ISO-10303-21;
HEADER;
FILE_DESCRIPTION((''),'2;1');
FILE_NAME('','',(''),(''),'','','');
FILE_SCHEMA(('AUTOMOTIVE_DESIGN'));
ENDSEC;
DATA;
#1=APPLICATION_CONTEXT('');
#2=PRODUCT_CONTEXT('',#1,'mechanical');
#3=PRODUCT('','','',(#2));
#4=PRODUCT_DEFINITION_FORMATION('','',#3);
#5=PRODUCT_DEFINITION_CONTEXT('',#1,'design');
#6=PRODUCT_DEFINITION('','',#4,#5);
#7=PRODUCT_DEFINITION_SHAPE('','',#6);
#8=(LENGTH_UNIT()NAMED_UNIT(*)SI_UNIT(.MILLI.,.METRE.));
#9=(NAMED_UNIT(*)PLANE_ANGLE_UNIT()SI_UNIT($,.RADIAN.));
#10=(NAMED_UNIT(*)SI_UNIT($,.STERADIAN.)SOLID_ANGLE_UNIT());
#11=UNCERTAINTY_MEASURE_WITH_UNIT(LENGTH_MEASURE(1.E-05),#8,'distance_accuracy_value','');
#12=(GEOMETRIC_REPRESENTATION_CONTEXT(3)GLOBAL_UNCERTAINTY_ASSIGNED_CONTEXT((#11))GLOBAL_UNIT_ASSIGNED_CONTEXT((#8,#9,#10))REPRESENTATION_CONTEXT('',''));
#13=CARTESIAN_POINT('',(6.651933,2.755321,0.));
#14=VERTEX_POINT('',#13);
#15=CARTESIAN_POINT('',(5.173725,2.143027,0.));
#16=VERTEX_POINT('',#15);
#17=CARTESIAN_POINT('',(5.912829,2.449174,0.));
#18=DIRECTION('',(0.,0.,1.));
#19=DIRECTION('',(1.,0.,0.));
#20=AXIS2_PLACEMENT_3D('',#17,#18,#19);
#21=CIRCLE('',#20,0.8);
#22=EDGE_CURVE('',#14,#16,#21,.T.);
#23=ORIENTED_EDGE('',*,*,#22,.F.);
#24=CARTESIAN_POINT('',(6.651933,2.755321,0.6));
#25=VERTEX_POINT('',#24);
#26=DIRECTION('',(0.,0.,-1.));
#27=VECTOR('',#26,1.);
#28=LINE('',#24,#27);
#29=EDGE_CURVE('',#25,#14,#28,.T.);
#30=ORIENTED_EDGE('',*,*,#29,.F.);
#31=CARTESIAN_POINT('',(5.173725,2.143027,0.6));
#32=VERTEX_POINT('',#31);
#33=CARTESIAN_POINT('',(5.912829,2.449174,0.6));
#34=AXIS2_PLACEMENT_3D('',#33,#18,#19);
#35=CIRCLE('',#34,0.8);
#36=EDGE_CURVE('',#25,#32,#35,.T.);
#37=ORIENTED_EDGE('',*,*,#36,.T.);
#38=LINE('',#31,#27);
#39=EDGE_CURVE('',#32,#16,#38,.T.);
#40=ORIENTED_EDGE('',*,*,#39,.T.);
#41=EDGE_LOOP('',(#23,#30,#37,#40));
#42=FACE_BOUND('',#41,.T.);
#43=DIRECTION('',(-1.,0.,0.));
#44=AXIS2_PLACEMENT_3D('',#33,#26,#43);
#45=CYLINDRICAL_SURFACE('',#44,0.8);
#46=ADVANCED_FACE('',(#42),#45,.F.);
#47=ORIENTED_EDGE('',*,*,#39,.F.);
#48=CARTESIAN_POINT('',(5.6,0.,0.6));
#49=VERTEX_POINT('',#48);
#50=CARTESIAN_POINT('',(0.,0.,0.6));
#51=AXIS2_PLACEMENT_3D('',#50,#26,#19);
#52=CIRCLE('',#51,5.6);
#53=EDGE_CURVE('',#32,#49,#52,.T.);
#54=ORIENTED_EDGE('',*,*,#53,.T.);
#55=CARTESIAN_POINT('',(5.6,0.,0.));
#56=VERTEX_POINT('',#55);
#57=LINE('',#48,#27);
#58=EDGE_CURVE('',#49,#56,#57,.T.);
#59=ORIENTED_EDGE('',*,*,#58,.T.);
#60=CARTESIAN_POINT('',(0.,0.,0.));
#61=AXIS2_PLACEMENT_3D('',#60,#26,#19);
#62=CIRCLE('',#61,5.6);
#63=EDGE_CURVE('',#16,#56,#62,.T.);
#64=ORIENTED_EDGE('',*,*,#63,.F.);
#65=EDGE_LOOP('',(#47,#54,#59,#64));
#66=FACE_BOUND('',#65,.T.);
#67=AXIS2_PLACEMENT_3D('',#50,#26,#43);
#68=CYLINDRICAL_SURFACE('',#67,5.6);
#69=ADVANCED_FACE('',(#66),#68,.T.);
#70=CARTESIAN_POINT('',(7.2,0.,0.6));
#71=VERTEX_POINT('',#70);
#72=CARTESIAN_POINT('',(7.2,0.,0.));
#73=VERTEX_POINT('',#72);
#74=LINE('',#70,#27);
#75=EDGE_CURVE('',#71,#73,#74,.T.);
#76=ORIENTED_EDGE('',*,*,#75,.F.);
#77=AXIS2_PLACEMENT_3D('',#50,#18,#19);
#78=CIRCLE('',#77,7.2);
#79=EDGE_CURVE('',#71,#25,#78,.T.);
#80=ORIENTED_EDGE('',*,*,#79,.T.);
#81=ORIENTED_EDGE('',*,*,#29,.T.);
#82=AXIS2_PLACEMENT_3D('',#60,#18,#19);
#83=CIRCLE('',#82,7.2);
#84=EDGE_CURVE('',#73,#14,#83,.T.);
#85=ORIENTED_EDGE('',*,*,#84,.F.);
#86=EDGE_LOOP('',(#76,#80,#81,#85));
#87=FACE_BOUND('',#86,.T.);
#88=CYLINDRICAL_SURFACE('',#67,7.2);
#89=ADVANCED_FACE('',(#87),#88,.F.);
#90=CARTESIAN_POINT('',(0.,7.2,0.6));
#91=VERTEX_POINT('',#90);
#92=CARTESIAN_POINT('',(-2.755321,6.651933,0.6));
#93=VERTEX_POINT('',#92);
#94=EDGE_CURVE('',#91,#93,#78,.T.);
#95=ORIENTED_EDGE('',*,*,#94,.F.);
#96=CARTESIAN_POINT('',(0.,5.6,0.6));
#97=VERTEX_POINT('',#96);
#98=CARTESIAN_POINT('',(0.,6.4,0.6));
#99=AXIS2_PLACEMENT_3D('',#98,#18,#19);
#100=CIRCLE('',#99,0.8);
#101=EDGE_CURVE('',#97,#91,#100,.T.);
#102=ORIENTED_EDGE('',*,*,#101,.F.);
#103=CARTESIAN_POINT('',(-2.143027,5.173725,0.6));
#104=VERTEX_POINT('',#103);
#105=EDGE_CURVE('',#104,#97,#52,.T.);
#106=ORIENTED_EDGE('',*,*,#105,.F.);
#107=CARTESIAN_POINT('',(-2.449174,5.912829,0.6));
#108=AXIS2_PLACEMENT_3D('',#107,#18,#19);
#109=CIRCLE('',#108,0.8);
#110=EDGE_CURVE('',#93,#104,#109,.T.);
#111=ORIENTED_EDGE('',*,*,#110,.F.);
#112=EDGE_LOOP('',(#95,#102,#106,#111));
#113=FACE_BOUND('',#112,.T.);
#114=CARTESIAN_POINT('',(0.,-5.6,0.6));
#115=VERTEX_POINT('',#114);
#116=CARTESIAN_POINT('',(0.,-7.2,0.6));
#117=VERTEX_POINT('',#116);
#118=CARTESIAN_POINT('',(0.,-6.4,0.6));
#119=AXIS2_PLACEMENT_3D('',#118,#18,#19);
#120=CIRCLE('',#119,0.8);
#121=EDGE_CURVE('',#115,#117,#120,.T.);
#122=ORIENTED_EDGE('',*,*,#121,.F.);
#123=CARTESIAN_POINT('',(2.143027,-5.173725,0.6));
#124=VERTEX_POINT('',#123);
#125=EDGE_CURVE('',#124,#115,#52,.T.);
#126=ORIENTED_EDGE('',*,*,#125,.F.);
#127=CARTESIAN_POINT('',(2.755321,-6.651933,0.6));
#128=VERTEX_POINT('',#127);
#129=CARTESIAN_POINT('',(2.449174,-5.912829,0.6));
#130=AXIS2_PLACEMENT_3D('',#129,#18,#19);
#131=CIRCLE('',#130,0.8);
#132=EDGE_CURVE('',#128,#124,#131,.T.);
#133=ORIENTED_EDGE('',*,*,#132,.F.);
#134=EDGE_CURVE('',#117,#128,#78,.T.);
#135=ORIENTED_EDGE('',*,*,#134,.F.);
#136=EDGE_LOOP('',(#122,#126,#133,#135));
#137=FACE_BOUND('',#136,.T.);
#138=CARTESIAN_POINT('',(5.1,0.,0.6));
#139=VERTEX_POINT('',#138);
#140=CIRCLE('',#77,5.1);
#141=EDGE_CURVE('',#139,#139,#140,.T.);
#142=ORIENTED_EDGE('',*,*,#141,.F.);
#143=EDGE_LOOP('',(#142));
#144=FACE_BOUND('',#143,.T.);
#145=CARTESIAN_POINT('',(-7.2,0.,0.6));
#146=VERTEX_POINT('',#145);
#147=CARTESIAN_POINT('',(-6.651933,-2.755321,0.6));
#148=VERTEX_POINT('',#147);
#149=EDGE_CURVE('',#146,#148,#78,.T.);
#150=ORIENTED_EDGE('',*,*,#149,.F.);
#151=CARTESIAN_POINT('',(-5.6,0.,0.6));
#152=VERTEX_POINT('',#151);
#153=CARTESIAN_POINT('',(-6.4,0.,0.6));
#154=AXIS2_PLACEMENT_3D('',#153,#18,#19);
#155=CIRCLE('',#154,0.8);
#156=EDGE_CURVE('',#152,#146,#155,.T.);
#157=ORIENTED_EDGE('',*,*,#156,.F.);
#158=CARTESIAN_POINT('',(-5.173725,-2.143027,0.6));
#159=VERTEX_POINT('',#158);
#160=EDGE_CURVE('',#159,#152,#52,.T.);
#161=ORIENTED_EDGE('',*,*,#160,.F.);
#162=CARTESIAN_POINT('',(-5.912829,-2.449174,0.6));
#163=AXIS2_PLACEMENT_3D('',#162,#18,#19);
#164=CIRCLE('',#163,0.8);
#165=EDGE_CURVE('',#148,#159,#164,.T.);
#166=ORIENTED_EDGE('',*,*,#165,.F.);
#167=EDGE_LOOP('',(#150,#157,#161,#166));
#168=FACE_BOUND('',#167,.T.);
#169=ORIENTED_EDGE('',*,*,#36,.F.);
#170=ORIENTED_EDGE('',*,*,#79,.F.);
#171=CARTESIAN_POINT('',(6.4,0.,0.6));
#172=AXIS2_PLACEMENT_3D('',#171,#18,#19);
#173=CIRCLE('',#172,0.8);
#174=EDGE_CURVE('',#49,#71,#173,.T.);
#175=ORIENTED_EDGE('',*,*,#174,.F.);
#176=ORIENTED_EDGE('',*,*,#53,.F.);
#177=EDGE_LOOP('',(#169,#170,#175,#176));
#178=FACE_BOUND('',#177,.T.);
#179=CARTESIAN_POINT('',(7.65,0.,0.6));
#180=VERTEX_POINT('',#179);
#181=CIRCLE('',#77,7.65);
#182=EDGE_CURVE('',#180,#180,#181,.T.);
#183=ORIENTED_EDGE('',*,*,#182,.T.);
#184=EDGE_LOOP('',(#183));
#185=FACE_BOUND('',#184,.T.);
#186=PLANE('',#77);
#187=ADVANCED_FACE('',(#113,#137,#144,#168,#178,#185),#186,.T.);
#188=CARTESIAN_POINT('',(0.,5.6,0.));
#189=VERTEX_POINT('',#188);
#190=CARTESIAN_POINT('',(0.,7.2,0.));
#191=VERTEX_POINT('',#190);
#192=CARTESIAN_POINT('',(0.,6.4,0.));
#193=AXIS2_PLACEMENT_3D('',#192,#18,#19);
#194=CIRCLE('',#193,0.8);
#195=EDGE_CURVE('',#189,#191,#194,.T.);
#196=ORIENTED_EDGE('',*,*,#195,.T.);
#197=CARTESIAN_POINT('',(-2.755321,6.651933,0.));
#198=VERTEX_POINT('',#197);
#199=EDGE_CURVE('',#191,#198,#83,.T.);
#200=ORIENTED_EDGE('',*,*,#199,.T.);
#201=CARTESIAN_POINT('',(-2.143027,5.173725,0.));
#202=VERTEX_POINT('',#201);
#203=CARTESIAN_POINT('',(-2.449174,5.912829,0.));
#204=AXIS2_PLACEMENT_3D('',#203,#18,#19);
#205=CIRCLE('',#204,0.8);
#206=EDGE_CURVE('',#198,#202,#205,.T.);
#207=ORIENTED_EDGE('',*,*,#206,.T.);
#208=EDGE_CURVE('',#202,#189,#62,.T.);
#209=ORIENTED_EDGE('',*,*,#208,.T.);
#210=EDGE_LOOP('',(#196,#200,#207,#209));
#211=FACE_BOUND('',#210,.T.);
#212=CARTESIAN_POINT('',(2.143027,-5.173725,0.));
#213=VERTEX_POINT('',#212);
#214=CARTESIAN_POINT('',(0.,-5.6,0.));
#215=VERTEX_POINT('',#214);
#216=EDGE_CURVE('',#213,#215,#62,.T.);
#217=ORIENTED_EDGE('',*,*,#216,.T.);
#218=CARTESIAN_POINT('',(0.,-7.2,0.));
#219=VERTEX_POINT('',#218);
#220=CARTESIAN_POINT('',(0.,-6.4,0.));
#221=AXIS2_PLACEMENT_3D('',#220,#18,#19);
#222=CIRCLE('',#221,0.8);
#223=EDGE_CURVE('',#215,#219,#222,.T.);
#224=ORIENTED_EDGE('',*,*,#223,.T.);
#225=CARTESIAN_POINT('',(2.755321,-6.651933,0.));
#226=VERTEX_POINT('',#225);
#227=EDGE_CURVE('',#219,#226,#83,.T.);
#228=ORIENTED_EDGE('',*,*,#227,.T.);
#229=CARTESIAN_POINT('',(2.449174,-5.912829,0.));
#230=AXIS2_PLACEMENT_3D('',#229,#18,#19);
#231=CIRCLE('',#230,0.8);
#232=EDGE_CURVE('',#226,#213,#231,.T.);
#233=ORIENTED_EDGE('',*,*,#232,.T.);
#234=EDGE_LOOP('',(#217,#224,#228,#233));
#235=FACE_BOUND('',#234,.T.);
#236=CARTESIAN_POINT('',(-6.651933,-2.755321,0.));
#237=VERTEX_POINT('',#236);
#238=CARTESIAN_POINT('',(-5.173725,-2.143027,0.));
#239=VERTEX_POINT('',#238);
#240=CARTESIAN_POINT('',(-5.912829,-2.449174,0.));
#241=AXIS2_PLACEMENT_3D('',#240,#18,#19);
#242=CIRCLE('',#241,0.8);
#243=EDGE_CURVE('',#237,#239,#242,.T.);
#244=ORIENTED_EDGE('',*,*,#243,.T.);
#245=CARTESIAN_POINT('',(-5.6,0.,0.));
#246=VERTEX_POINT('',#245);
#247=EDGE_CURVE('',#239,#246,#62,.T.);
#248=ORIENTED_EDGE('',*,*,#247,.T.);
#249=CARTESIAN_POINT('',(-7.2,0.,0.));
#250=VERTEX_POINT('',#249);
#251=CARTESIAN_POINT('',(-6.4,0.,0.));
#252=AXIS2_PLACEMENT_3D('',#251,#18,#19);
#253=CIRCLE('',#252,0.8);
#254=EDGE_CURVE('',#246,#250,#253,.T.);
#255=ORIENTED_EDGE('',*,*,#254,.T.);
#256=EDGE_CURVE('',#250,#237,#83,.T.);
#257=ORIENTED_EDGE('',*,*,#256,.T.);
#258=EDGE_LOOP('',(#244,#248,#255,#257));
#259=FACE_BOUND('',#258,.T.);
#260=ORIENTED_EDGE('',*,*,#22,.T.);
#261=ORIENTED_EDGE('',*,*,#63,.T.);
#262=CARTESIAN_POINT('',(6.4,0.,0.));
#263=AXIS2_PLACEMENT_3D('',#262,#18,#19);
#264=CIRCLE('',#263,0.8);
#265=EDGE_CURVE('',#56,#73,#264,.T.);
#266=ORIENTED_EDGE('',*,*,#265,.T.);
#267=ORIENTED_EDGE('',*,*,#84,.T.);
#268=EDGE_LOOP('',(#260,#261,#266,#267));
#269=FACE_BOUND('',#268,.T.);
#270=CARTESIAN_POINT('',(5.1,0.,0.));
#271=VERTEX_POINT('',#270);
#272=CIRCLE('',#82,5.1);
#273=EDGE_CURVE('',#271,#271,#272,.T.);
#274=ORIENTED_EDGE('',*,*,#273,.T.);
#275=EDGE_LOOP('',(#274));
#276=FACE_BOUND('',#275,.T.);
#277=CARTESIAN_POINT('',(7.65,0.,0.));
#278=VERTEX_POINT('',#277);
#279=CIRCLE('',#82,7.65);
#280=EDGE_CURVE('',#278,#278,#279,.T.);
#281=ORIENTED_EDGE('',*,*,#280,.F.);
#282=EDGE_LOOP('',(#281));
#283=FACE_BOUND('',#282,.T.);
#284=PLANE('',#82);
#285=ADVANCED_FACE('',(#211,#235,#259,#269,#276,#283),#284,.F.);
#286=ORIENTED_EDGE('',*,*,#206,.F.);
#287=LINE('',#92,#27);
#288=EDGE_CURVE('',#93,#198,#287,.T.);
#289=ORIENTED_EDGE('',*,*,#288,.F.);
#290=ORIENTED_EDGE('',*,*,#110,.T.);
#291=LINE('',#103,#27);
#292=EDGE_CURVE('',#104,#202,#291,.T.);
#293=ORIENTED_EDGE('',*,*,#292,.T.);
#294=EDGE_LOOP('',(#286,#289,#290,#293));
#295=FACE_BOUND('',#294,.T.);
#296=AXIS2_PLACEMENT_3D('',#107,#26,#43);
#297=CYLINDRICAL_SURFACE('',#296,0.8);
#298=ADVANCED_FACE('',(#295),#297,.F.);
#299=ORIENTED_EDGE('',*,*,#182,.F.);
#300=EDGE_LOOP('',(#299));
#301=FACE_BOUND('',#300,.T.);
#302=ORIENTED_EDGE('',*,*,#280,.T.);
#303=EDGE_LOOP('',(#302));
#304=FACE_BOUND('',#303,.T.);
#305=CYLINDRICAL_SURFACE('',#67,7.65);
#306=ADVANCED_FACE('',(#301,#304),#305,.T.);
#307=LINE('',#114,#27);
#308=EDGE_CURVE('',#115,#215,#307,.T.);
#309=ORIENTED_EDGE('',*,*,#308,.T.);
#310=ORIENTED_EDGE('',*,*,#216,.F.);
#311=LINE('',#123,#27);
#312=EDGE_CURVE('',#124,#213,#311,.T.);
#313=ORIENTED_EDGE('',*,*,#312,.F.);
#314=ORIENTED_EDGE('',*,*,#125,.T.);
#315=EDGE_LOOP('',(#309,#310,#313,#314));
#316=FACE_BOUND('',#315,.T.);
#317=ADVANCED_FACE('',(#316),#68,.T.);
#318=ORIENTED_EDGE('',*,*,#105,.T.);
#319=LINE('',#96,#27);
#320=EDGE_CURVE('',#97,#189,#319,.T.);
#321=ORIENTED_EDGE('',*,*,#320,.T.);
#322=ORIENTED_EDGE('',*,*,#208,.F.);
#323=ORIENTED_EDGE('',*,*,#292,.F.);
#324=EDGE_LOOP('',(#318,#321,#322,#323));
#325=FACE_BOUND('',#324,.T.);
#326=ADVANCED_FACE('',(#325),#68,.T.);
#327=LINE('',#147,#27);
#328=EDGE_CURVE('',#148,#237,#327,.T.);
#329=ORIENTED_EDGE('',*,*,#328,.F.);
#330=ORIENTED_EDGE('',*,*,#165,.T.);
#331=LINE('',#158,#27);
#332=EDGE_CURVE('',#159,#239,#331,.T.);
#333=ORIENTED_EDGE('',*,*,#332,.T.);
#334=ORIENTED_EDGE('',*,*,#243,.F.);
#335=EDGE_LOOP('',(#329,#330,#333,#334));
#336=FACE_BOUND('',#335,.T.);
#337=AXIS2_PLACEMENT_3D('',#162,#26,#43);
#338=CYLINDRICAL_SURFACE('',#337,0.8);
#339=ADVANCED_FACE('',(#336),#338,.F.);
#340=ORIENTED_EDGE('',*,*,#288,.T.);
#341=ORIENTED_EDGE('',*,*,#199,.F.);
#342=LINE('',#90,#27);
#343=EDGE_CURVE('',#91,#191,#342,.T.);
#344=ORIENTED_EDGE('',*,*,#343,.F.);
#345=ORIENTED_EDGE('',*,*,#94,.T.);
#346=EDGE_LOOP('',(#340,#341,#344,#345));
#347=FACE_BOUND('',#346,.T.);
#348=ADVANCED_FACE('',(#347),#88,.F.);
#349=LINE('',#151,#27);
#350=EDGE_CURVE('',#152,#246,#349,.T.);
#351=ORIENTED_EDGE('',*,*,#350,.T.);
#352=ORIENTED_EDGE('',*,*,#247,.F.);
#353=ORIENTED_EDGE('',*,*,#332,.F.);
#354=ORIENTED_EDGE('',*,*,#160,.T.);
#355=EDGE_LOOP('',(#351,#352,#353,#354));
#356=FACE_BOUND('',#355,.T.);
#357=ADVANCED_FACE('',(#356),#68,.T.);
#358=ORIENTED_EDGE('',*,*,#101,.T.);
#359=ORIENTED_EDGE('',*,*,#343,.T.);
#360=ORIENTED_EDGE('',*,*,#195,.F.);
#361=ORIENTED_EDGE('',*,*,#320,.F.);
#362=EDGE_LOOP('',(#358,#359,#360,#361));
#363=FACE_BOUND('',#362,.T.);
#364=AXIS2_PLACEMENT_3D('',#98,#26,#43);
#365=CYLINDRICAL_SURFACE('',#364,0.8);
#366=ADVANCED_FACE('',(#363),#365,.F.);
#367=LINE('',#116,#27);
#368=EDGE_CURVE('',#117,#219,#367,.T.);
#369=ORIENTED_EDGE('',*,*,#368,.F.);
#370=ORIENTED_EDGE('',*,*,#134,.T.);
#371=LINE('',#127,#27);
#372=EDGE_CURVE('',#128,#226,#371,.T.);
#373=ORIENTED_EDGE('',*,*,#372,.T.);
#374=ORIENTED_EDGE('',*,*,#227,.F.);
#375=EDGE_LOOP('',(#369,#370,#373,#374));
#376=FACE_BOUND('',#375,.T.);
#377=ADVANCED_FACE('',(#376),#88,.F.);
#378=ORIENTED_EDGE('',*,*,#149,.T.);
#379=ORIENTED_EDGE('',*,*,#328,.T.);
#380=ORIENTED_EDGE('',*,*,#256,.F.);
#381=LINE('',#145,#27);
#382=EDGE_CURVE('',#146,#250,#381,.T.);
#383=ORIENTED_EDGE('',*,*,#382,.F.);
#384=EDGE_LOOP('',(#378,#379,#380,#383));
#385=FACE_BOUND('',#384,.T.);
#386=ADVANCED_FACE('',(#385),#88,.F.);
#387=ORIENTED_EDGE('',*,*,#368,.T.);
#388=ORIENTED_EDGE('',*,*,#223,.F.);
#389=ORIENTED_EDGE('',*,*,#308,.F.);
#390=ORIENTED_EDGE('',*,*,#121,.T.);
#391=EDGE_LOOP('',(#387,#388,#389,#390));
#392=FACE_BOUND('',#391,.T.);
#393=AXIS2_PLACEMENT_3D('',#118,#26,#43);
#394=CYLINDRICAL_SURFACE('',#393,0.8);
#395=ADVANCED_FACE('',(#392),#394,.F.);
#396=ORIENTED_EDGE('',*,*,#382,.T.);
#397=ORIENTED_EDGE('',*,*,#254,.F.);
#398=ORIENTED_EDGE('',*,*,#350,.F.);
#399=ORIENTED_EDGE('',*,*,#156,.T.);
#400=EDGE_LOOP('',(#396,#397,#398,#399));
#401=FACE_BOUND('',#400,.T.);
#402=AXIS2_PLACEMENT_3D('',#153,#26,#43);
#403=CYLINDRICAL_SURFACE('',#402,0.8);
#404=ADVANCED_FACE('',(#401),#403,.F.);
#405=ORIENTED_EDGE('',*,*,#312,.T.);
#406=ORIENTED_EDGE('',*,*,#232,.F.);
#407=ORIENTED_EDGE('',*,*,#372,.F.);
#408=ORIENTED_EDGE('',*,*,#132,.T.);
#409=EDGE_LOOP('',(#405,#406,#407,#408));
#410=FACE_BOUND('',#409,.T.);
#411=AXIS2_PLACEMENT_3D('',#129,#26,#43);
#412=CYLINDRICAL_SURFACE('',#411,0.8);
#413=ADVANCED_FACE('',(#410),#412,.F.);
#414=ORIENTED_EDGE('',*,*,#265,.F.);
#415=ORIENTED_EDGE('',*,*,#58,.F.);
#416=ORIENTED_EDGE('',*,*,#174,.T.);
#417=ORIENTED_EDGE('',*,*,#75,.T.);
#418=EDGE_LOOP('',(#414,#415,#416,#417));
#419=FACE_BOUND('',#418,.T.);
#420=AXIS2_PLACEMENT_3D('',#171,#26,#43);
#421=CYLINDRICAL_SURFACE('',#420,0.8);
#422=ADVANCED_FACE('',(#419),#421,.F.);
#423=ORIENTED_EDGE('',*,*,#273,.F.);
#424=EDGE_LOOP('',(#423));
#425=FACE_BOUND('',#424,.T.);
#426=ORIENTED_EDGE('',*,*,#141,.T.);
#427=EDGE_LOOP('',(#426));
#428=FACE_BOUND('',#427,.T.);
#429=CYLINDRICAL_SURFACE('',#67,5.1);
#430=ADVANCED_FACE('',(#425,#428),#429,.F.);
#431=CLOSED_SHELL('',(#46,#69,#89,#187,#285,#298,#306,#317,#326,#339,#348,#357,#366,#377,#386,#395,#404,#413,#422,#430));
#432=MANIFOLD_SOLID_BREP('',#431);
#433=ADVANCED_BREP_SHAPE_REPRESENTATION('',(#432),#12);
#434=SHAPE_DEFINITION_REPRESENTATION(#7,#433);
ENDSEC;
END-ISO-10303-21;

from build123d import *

# Parameters (mm, degrees)
SKETCH1_R           = 7.65
SKETCH1_R_2         = 5.1
BOSS_EXTRUDE1_DEPTH = 0.6


with BuildPart() as part:
    # Sketch1 → Boss-Extrude1 (new body)
    with BuildSketch(Plane.XY):
        Circle(SKETCH1_R)
        Circle(SKETCH1_R_2, mode=Mode.SUBTRACT)
        with BuildLine():
            ThreePointArc((0, 5.6), (0.8, 6.4), (0, 7.2))
            ThreePointArc((0, 7.2), (-1.404650319, 7.061654019), (-2.755320713, 6.651932634))
            ThreePointArc((-2.755320713, 6.651932634), (-3.188277593, 5.606682262), (-2.143027221, 5.173725382))
            ThreePointArc((-2.143027221, 5.173725382), (-1.092505803, 5.49239757), (0, 5.6))
        make_face(mode=Mode.SUBTRACT)
        with BuildLine():
            ThreePointArc((6.651932634, 2.755320713), (5.606682262, 3.188277593), (5.173725382, 2.143027221))
            ThreePointArc((5.173725382, 2.143027221), (5.49239757, 1.092505803), (5.6, 0))
            ThreePointArc((5.6, 0), (6.4, -0.8), (7.2, 0))
            ThreePointArc((7.2, 0), (7.061654019, 1.404650319), (6.651932634, 2.755320713))
        make_face(mode=Mode.SUBTRACT)
        with BuildLine():
            ThreePointArc((2.755320713, -6.651932634), (3.188277593, -5.606682262), (2.143027221, -5.173725382))
            ThreePointArc((2.143027221, -5.173725382), (1.092505803, -5.49239757), (0, -5.6))
            ThreePointArc((0, -5.6), (-0.8, -6.4), (0, -7.2))
            ThreePointArc((0, -7.2), (1.404650319, -7.061654019), (2.755320713, -6.651932634))
        make_face(mode=Mode.SUBTRACT)
        with BuildLine():
            ThreePointArc((-6.651932634, -2.755320713), (-5.606682262, -3.188277593), (-5.173725382, -2.143027221))
            ThreePointArc((-5.173725382, -2.143027221), (-5.49239757, -1.092505803), (-5.6, 0))
            ThreePointArc((-5.6, 0), (-6.4, 0.8), (-7.2, 0))
            ThreePointArc((-7.2, 0), (-7.061654019, -1.404650319), (-6.651932634, -2.755320713))
        make_face(mode=Mode.SUBTRACT)
    extrude(amount=BOSS_EXTRUDE1_DEPTH)


solid = part.part
